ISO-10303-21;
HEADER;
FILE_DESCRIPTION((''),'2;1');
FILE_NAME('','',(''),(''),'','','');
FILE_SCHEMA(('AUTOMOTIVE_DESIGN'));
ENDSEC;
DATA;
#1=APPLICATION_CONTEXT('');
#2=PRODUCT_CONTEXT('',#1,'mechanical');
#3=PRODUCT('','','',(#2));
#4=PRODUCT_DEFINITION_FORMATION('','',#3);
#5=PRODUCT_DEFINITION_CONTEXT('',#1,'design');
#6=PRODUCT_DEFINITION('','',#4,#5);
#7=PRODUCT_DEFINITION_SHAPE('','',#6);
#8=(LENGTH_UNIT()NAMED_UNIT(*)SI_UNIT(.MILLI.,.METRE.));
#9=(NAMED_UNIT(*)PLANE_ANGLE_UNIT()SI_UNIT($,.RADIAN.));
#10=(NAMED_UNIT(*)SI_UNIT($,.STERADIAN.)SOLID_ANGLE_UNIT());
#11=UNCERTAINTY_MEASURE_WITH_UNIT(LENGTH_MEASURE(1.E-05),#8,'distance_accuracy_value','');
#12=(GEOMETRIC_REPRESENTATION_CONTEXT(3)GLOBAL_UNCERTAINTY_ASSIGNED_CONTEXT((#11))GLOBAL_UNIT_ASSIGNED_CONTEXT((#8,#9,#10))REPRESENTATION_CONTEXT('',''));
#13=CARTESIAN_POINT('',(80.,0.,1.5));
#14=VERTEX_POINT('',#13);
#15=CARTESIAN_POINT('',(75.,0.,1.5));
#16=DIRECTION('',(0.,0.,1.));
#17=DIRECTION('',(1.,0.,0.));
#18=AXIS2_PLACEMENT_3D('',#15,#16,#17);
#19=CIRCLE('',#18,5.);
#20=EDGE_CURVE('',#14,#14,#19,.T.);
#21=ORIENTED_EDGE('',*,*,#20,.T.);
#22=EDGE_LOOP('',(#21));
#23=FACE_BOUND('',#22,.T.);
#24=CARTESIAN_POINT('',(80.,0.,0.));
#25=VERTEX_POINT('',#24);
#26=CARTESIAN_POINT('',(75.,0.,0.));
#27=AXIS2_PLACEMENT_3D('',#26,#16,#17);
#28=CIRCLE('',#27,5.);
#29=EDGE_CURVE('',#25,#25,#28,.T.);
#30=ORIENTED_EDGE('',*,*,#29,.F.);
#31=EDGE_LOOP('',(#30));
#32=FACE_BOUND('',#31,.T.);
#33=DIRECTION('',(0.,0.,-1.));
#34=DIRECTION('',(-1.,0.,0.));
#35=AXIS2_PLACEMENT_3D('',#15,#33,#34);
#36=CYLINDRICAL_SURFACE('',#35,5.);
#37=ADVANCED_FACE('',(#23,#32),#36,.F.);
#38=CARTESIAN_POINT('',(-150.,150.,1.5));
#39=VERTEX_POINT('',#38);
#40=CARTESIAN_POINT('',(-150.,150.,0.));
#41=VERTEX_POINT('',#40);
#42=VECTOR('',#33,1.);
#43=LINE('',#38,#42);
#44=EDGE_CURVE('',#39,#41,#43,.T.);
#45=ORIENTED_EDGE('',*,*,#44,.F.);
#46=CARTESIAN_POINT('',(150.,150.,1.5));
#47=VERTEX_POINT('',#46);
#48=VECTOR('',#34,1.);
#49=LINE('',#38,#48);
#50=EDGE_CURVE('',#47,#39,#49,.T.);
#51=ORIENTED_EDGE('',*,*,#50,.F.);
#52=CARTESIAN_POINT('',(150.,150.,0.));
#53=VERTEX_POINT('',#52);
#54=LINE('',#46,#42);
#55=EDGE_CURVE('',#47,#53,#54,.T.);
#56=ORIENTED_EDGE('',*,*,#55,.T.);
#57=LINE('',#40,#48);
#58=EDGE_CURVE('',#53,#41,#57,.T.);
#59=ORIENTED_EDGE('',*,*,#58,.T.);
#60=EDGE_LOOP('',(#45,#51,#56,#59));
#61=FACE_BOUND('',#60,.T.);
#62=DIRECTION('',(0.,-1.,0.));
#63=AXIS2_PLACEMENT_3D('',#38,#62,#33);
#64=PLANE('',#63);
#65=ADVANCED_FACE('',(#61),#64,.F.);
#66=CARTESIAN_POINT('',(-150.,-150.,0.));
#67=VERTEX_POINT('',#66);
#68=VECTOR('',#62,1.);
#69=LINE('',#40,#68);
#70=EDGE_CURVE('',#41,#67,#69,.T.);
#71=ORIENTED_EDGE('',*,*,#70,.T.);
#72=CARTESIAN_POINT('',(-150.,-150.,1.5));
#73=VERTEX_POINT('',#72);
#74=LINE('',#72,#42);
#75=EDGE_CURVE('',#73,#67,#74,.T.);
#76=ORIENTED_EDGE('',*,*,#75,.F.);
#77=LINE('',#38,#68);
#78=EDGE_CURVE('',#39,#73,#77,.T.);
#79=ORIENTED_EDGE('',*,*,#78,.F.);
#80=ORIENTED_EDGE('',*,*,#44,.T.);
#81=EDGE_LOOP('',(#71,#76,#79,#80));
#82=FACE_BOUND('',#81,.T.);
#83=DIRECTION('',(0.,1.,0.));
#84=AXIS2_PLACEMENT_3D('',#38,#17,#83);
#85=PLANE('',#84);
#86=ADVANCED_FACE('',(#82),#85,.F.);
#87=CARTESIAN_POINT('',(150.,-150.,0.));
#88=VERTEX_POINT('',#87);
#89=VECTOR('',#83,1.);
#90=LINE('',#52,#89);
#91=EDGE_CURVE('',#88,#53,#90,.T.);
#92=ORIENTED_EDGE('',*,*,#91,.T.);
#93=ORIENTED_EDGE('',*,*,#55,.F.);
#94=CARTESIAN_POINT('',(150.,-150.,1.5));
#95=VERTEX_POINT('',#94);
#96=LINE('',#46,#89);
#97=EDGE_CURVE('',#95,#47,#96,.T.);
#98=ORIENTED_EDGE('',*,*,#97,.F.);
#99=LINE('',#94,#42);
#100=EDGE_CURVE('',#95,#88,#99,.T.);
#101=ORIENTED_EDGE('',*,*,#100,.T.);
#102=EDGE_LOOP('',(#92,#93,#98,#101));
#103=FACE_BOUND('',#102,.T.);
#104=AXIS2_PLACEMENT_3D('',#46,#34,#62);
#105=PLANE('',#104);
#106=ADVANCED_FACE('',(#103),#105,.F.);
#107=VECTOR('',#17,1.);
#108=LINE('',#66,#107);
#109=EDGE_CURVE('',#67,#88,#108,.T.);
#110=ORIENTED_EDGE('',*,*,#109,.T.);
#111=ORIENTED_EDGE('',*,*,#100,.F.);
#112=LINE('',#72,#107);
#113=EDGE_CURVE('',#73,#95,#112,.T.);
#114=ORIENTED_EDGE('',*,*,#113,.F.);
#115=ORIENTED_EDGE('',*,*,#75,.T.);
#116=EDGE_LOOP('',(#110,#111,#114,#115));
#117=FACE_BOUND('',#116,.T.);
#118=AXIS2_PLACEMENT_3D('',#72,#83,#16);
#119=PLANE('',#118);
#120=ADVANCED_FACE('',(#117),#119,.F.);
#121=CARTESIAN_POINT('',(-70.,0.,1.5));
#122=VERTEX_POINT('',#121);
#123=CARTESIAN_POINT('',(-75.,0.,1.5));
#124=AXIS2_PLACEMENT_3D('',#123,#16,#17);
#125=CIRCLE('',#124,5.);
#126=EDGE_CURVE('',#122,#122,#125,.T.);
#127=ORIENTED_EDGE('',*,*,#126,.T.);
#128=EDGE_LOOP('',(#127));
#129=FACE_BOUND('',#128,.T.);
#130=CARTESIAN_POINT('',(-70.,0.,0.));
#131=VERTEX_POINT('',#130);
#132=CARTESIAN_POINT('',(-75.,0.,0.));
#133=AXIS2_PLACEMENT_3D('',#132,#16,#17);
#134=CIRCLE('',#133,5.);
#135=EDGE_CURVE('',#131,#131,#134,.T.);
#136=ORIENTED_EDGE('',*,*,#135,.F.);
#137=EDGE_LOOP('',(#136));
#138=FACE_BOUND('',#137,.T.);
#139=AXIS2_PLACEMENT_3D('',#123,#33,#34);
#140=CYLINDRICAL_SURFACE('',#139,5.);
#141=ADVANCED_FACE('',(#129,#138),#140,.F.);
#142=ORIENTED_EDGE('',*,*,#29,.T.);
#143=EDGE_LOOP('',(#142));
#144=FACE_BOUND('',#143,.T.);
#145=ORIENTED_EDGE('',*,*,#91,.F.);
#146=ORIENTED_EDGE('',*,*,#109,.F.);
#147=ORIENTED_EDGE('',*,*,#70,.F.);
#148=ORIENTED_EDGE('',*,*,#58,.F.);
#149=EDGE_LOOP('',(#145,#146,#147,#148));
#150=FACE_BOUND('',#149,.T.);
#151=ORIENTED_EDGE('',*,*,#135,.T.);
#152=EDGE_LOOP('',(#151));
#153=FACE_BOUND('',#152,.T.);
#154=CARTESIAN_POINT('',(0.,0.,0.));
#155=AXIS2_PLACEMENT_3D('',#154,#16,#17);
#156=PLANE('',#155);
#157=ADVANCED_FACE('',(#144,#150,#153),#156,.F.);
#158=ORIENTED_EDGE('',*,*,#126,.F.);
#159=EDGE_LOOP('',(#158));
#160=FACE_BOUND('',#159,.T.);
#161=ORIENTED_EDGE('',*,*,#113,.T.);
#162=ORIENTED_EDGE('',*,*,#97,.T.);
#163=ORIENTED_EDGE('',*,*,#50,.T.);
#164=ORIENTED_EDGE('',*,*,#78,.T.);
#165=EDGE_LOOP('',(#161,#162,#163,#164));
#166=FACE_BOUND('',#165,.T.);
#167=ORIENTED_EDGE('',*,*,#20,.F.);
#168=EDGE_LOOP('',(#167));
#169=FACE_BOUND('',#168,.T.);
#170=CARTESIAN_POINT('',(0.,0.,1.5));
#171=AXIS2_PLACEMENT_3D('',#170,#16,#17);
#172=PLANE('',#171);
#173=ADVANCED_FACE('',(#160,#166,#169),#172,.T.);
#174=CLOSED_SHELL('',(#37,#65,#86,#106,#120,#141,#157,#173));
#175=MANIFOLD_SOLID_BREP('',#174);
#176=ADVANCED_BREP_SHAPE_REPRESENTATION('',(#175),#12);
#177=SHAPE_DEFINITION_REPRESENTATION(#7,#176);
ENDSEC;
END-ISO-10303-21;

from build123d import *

# Parameters (mm, degrees)
SKETCH2_W           = 300
SKETCH2_H           = 300
SKETCH2_R           = 5
BOSS_EXTRUDE1_DEPTH = 1.5


with BuildPart() as part:
    # Sketch2 → Boss-Extrude1 (new body)
    with BuildSketch(Plane.XY):
        Rectangle(SKETCH2_W, SKETCH2_H)
        with Locations((-75, 0)):
            Circle(SKETCH2_R, mode=Mode.SUBTRACT)
        with Locations((75, 0)):
            Circle(SKETCH2_R, mode=Mode.SUBTRACT)
    extrude(amount=BOSS_EXTRUDE1_DEPTH)


solid = part.part
